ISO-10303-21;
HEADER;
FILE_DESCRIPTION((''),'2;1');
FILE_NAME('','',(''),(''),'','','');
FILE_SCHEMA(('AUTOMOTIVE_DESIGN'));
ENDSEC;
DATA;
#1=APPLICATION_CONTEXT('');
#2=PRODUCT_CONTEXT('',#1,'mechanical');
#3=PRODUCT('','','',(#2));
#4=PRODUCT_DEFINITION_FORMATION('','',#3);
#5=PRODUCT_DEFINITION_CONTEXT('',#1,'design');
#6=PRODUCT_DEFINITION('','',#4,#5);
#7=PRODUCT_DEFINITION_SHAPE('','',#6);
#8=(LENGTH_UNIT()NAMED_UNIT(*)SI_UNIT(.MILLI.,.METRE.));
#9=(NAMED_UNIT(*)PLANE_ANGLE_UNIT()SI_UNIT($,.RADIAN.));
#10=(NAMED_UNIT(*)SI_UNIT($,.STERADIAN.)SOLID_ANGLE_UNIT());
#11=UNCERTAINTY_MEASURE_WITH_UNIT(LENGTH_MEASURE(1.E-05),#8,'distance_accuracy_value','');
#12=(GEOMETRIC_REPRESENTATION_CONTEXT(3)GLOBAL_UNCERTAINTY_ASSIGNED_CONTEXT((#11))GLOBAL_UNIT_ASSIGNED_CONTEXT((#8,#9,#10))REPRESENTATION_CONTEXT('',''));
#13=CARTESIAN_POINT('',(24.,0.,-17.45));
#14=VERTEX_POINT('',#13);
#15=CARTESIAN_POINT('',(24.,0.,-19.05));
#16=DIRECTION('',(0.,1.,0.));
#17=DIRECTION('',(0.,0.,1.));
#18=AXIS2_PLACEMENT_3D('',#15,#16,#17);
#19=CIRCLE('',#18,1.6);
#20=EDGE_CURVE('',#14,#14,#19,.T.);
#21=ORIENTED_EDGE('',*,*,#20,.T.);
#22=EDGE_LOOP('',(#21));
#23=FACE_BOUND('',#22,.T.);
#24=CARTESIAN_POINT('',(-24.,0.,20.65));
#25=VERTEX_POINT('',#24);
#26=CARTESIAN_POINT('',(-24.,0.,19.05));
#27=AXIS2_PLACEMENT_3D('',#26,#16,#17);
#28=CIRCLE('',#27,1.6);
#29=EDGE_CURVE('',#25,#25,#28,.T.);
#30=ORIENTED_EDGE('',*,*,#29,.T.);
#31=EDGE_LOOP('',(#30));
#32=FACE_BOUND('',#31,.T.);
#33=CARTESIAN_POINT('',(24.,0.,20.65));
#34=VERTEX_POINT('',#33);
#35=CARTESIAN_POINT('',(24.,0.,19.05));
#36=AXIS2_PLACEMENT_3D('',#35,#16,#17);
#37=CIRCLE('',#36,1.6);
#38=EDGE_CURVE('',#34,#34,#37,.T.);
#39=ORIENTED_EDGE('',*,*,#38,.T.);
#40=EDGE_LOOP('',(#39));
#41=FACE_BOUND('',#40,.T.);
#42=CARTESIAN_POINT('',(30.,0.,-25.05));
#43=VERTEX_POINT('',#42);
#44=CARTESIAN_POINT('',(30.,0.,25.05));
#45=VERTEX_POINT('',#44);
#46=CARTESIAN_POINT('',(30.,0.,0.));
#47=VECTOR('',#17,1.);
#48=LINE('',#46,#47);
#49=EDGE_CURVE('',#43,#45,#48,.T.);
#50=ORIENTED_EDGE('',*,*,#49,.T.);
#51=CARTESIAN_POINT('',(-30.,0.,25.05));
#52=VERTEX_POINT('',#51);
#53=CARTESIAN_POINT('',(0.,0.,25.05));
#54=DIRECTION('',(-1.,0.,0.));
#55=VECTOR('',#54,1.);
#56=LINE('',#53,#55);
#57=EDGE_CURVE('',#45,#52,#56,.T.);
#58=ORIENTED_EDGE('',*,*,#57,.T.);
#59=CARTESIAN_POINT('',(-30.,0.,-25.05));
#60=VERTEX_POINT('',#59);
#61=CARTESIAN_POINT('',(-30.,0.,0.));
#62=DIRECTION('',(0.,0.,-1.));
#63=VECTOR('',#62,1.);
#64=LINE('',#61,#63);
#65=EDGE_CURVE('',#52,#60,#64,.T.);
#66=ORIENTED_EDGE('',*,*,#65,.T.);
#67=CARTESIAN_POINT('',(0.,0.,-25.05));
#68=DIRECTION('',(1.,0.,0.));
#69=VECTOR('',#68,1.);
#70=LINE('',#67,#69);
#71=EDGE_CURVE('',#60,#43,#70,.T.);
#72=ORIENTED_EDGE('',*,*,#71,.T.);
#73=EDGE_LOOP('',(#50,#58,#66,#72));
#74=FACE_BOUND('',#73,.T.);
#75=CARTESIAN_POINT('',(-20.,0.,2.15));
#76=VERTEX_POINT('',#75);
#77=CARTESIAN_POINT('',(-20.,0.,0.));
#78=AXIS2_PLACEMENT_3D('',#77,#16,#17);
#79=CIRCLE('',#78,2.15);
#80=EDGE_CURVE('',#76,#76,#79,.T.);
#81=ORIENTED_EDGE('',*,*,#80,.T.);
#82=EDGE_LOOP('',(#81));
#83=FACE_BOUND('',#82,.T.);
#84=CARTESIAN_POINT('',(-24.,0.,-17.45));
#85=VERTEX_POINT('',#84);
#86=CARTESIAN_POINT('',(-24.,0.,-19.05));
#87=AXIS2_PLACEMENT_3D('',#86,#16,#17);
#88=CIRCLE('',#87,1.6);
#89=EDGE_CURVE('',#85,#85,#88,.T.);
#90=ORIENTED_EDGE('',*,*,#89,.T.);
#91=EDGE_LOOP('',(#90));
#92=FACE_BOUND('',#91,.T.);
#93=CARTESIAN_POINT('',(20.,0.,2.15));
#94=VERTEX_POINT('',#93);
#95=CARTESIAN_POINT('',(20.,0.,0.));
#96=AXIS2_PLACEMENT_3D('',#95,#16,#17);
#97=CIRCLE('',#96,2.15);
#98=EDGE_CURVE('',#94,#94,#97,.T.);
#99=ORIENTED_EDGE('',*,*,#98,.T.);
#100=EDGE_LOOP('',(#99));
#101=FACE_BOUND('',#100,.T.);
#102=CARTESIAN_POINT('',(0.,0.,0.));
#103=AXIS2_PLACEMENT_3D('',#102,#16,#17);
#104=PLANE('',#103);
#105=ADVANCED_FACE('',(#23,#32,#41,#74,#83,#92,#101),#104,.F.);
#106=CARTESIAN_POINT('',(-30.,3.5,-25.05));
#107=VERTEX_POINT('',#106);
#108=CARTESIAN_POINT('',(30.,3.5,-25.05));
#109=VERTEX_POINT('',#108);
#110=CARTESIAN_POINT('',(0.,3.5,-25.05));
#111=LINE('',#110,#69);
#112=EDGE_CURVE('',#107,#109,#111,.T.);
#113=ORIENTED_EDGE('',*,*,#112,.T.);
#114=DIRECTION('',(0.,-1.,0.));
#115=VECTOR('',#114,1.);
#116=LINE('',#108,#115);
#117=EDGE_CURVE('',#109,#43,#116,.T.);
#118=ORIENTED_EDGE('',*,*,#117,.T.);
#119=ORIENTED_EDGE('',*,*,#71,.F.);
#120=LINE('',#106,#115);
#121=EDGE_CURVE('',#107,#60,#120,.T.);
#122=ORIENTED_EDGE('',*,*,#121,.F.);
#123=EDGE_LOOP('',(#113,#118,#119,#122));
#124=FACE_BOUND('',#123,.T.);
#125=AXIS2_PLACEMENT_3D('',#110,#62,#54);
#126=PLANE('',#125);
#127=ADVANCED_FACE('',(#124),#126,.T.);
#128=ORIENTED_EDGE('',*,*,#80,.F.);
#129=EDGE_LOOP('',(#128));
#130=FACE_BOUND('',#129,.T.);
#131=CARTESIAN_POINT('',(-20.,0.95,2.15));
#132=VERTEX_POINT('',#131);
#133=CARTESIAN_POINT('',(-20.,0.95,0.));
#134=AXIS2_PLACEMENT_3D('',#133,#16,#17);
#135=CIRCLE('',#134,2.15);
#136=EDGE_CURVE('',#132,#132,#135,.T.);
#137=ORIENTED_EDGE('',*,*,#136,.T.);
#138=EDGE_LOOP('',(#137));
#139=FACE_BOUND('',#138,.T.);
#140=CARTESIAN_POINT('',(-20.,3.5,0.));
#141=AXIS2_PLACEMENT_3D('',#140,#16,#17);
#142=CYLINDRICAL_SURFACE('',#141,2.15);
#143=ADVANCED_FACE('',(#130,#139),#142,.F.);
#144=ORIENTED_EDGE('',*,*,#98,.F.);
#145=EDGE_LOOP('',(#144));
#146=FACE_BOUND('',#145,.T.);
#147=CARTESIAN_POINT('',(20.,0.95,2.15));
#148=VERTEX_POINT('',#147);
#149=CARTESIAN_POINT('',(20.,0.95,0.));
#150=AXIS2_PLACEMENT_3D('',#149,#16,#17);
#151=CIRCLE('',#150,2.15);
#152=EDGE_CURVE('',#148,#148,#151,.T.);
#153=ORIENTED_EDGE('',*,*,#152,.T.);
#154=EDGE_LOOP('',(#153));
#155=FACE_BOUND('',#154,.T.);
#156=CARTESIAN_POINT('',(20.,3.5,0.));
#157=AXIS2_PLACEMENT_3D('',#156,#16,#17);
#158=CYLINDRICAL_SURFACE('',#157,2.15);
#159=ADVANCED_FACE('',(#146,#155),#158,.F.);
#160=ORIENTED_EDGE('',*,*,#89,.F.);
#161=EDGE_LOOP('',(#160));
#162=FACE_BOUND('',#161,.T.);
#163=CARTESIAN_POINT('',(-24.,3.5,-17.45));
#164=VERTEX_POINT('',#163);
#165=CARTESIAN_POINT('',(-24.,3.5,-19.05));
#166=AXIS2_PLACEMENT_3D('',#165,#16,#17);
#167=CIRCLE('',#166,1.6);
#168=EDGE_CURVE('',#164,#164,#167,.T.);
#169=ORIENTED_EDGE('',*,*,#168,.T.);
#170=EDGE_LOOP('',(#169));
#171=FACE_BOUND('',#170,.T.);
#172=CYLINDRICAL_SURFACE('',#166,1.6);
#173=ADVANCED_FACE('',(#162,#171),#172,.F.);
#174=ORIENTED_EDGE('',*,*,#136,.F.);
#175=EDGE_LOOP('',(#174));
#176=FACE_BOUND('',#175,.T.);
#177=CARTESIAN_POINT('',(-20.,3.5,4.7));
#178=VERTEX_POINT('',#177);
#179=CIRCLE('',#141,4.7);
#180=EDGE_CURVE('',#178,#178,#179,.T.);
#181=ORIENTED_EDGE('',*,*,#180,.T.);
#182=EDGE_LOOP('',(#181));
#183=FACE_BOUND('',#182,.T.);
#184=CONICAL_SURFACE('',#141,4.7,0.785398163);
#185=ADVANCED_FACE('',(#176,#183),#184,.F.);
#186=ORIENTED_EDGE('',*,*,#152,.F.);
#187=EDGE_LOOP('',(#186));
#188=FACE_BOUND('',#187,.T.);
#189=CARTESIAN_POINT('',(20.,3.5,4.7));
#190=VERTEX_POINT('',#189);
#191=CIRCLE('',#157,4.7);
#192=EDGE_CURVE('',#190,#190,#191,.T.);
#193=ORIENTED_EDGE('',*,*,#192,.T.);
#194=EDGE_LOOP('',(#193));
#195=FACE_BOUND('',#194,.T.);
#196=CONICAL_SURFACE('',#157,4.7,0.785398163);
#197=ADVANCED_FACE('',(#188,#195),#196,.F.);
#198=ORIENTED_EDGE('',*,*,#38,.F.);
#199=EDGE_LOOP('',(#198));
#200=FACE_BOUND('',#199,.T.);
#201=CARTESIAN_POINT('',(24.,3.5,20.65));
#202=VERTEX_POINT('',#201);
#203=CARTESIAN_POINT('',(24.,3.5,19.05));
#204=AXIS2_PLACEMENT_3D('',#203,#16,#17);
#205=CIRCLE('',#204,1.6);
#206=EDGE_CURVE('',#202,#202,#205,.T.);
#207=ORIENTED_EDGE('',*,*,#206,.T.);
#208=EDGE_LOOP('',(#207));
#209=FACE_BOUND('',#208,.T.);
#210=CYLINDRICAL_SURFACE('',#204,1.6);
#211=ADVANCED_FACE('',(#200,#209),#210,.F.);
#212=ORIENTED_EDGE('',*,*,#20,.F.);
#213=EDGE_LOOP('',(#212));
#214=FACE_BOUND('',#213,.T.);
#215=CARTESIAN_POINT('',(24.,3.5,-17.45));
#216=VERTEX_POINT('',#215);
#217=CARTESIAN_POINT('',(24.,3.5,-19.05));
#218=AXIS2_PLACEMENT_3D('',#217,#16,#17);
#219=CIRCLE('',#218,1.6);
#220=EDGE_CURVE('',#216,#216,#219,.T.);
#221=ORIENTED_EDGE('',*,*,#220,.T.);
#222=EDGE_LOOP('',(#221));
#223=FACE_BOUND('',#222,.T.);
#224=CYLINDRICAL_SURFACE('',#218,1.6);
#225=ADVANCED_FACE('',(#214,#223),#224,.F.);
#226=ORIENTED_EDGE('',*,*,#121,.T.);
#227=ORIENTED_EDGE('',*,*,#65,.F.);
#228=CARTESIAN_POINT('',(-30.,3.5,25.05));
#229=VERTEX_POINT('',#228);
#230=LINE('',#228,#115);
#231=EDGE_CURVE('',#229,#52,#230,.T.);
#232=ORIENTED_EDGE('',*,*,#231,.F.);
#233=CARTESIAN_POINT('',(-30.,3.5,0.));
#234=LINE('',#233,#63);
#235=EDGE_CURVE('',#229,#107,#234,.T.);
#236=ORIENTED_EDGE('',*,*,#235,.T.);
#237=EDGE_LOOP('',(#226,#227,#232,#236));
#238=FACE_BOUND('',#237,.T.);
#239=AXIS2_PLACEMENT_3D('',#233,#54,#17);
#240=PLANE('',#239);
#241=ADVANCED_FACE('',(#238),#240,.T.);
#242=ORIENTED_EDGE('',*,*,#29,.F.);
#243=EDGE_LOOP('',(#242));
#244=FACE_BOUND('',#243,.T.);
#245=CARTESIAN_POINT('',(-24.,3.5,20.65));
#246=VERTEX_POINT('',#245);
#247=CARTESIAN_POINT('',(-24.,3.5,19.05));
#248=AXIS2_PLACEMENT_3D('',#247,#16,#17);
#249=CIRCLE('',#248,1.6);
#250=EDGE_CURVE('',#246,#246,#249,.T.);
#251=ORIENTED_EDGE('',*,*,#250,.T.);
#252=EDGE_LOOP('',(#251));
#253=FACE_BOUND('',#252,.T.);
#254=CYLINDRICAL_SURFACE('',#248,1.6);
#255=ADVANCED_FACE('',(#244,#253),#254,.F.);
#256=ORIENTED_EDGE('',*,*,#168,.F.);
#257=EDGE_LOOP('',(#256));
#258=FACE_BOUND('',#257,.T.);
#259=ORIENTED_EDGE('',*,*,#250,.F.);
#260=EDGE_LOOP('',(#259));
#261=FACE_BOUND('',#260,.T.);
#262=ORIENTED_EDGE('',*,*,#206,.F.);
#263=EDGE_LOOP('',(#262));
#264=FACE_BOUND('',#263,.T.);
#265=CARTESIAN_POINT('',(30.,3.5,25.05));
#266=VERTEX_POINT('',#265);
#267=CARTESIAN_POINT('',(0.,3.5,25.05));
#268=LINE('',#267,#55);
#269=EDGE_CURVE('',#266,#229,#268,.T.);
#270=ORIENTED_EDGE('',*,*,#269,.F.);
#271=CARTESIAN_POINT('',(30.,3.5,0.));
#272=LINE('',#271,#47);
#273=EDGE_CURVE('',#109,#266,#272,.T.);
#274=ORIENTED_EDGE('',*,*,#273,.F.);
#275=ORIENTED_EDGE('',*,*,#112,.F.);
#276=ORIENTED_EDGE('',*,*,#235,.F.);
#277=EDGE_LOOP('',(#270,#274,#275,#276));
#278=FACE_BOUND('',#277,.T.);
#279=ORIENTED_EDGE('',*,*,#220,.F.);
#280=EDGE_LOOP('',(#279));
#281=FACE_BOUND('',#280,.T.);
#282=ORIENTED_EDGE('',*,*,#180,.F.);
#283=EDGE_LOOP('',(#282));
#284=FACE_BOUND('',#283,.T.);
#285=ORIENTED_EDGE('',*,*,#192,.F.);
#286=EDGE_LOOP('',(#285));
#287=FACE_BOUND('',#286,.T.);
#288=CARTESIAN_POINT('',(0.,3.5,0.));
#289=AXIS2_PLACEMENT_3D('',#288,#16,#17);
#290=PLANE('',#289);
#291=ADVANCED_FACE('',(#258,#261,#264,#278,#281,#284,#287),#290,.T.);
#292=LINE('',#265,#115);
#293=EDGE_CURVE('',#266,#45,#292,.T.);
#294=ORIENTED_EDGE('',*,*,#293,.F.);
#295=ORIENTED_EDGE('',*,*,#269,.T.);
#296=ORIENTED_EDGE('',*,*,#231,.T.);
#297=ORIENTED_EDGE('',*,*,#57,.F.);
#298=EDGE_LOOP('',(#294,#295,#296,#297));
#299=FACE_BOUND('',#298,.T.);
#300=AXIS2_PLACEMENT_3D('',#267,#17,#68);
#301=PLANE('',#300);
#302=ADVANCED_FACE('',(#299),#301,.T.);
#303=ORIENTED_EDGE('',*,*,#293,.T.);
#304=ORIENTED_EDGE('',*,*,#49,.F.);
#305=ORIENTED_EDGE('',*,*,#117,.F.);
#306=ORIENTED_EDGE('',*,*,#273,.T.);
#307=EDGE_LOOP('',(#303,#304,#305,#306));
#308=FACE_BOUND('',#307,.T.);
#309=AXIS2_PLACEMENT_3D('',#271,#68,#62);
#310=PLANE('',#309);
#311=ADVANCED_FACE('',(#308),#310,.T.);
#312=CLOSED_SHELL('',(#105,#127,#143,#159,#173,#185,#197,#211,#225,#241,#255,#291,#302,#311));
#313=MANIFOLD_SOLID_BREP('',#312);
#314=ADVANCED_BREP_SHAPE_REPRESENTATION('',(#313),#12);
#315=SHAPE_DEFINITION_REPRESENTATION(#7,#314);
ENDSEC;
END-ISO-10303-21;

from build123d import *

# Parameters (mm, degrees)
SKETCH1_W                                      = 60
SKETCH1_H                                      = 50.1
SKETCH1_R                                      = 1.5
SKETCH1_R_2                                    = 0.5
BOSS_EXTRUDE2_DEPTH                            = 3.5
M3_CLEARANCE_HOLE1_D                           = 3.2
M3_CLEARANCE_HOLE1_DEPTH                       = 3.5
CSK_FOR_M4_FLAT_HEAD_MACHINE_SCREW1_AT_2_COUNT = 2
CSK_FOR_M4_FLAT_HEAD_MACHINE_SCREW1_AT_2_PITCH = 40


with BuildPart() as part:
    # Sketch1 → Boss-Extrude2 (new body)
    with BuildSketch(Plane(origin=(0, 0, 0), x_dir=(1, 0, 0), z_dir=(0, 1, 0))):
        Rectangle(SKETCH1_W, SKETCH1_H)
        with Locations((-24, 19.05)):
            Circle(SKETCH1_R, mode=Mode.SUBTRACT)
        with Locations((-24, -19.05)):
            Circle(SKETCH1_R, mode=Mode.SUBTRACT)
        with Locations((24, -19.05)):
            Circle(SKETCH1_R, mode=Mode.SUBTRACT)
        with Locations((24, 19.05)):
            Circle(SKETCH1_R, mode=Mode.SUBTRACT)
        with Locations((20, 0)):
            Circle(SKETCH1_R_2, mode=Mode.SUBTRACT)
        with Locations((-20, 0)):
            Circle(SKETCH1_R_2, mode=Mode.SUBTRACT)
    extrude(amount=BOSS_EXTRUDE2_DEPTH)

    # M3 Clearance Hole1
    with Locations(Plane(origin=(0, 3.5, 0), x_dir=(1, 0, 0), z_dir=(0, 1, 0))):
        with Locations((-24, 19.05), (24, 19.05), (24, -19.05), (-24, -19.05)):
            Hole(M3_CLEARANCE_HOLE1_D / 2, depth=M3_CLEARANCE_HOLE1_DEPTH)

    # Sketch5 → CSK for M4 Flat Head Machine Screw1 (revolve, cut)
    with BuildSketch(Plane(origin=(-20, 3.5, 0), x_dir=(0, 0, 1), z_dir=(1, 0, 0))):
        Polygon((0, 0), (0, 3.5), (2.15, 3.5), (2.15, 2.55), (4.7, 0), align=None)
    csk_for_m4_flat_head_machine_screw1 = revolve(axis=Axis((-20, 9.85, 0), (0, -1, 0)), mode=Mode.SUBTRACT)

    # CSK for M4 Flat Head Machine Screw1 at 2: CSK for M4 Flat Head Machine Screw1 ×2
    with Locations(*[(i * CSK_FOR_M4_FLAT_HEAD_MACHINE_SCREW1_AT_2_PITCH, 0, 0) for i in range(1, CSK_FOR_M4_FLAT_HEAD_MACHINE_SCREW1_AT_2_COUNT)]):
        add(csk_for_m4_flat_head_machine_screw1, mode=Mode.SUBTRACT)


solid = part.part
